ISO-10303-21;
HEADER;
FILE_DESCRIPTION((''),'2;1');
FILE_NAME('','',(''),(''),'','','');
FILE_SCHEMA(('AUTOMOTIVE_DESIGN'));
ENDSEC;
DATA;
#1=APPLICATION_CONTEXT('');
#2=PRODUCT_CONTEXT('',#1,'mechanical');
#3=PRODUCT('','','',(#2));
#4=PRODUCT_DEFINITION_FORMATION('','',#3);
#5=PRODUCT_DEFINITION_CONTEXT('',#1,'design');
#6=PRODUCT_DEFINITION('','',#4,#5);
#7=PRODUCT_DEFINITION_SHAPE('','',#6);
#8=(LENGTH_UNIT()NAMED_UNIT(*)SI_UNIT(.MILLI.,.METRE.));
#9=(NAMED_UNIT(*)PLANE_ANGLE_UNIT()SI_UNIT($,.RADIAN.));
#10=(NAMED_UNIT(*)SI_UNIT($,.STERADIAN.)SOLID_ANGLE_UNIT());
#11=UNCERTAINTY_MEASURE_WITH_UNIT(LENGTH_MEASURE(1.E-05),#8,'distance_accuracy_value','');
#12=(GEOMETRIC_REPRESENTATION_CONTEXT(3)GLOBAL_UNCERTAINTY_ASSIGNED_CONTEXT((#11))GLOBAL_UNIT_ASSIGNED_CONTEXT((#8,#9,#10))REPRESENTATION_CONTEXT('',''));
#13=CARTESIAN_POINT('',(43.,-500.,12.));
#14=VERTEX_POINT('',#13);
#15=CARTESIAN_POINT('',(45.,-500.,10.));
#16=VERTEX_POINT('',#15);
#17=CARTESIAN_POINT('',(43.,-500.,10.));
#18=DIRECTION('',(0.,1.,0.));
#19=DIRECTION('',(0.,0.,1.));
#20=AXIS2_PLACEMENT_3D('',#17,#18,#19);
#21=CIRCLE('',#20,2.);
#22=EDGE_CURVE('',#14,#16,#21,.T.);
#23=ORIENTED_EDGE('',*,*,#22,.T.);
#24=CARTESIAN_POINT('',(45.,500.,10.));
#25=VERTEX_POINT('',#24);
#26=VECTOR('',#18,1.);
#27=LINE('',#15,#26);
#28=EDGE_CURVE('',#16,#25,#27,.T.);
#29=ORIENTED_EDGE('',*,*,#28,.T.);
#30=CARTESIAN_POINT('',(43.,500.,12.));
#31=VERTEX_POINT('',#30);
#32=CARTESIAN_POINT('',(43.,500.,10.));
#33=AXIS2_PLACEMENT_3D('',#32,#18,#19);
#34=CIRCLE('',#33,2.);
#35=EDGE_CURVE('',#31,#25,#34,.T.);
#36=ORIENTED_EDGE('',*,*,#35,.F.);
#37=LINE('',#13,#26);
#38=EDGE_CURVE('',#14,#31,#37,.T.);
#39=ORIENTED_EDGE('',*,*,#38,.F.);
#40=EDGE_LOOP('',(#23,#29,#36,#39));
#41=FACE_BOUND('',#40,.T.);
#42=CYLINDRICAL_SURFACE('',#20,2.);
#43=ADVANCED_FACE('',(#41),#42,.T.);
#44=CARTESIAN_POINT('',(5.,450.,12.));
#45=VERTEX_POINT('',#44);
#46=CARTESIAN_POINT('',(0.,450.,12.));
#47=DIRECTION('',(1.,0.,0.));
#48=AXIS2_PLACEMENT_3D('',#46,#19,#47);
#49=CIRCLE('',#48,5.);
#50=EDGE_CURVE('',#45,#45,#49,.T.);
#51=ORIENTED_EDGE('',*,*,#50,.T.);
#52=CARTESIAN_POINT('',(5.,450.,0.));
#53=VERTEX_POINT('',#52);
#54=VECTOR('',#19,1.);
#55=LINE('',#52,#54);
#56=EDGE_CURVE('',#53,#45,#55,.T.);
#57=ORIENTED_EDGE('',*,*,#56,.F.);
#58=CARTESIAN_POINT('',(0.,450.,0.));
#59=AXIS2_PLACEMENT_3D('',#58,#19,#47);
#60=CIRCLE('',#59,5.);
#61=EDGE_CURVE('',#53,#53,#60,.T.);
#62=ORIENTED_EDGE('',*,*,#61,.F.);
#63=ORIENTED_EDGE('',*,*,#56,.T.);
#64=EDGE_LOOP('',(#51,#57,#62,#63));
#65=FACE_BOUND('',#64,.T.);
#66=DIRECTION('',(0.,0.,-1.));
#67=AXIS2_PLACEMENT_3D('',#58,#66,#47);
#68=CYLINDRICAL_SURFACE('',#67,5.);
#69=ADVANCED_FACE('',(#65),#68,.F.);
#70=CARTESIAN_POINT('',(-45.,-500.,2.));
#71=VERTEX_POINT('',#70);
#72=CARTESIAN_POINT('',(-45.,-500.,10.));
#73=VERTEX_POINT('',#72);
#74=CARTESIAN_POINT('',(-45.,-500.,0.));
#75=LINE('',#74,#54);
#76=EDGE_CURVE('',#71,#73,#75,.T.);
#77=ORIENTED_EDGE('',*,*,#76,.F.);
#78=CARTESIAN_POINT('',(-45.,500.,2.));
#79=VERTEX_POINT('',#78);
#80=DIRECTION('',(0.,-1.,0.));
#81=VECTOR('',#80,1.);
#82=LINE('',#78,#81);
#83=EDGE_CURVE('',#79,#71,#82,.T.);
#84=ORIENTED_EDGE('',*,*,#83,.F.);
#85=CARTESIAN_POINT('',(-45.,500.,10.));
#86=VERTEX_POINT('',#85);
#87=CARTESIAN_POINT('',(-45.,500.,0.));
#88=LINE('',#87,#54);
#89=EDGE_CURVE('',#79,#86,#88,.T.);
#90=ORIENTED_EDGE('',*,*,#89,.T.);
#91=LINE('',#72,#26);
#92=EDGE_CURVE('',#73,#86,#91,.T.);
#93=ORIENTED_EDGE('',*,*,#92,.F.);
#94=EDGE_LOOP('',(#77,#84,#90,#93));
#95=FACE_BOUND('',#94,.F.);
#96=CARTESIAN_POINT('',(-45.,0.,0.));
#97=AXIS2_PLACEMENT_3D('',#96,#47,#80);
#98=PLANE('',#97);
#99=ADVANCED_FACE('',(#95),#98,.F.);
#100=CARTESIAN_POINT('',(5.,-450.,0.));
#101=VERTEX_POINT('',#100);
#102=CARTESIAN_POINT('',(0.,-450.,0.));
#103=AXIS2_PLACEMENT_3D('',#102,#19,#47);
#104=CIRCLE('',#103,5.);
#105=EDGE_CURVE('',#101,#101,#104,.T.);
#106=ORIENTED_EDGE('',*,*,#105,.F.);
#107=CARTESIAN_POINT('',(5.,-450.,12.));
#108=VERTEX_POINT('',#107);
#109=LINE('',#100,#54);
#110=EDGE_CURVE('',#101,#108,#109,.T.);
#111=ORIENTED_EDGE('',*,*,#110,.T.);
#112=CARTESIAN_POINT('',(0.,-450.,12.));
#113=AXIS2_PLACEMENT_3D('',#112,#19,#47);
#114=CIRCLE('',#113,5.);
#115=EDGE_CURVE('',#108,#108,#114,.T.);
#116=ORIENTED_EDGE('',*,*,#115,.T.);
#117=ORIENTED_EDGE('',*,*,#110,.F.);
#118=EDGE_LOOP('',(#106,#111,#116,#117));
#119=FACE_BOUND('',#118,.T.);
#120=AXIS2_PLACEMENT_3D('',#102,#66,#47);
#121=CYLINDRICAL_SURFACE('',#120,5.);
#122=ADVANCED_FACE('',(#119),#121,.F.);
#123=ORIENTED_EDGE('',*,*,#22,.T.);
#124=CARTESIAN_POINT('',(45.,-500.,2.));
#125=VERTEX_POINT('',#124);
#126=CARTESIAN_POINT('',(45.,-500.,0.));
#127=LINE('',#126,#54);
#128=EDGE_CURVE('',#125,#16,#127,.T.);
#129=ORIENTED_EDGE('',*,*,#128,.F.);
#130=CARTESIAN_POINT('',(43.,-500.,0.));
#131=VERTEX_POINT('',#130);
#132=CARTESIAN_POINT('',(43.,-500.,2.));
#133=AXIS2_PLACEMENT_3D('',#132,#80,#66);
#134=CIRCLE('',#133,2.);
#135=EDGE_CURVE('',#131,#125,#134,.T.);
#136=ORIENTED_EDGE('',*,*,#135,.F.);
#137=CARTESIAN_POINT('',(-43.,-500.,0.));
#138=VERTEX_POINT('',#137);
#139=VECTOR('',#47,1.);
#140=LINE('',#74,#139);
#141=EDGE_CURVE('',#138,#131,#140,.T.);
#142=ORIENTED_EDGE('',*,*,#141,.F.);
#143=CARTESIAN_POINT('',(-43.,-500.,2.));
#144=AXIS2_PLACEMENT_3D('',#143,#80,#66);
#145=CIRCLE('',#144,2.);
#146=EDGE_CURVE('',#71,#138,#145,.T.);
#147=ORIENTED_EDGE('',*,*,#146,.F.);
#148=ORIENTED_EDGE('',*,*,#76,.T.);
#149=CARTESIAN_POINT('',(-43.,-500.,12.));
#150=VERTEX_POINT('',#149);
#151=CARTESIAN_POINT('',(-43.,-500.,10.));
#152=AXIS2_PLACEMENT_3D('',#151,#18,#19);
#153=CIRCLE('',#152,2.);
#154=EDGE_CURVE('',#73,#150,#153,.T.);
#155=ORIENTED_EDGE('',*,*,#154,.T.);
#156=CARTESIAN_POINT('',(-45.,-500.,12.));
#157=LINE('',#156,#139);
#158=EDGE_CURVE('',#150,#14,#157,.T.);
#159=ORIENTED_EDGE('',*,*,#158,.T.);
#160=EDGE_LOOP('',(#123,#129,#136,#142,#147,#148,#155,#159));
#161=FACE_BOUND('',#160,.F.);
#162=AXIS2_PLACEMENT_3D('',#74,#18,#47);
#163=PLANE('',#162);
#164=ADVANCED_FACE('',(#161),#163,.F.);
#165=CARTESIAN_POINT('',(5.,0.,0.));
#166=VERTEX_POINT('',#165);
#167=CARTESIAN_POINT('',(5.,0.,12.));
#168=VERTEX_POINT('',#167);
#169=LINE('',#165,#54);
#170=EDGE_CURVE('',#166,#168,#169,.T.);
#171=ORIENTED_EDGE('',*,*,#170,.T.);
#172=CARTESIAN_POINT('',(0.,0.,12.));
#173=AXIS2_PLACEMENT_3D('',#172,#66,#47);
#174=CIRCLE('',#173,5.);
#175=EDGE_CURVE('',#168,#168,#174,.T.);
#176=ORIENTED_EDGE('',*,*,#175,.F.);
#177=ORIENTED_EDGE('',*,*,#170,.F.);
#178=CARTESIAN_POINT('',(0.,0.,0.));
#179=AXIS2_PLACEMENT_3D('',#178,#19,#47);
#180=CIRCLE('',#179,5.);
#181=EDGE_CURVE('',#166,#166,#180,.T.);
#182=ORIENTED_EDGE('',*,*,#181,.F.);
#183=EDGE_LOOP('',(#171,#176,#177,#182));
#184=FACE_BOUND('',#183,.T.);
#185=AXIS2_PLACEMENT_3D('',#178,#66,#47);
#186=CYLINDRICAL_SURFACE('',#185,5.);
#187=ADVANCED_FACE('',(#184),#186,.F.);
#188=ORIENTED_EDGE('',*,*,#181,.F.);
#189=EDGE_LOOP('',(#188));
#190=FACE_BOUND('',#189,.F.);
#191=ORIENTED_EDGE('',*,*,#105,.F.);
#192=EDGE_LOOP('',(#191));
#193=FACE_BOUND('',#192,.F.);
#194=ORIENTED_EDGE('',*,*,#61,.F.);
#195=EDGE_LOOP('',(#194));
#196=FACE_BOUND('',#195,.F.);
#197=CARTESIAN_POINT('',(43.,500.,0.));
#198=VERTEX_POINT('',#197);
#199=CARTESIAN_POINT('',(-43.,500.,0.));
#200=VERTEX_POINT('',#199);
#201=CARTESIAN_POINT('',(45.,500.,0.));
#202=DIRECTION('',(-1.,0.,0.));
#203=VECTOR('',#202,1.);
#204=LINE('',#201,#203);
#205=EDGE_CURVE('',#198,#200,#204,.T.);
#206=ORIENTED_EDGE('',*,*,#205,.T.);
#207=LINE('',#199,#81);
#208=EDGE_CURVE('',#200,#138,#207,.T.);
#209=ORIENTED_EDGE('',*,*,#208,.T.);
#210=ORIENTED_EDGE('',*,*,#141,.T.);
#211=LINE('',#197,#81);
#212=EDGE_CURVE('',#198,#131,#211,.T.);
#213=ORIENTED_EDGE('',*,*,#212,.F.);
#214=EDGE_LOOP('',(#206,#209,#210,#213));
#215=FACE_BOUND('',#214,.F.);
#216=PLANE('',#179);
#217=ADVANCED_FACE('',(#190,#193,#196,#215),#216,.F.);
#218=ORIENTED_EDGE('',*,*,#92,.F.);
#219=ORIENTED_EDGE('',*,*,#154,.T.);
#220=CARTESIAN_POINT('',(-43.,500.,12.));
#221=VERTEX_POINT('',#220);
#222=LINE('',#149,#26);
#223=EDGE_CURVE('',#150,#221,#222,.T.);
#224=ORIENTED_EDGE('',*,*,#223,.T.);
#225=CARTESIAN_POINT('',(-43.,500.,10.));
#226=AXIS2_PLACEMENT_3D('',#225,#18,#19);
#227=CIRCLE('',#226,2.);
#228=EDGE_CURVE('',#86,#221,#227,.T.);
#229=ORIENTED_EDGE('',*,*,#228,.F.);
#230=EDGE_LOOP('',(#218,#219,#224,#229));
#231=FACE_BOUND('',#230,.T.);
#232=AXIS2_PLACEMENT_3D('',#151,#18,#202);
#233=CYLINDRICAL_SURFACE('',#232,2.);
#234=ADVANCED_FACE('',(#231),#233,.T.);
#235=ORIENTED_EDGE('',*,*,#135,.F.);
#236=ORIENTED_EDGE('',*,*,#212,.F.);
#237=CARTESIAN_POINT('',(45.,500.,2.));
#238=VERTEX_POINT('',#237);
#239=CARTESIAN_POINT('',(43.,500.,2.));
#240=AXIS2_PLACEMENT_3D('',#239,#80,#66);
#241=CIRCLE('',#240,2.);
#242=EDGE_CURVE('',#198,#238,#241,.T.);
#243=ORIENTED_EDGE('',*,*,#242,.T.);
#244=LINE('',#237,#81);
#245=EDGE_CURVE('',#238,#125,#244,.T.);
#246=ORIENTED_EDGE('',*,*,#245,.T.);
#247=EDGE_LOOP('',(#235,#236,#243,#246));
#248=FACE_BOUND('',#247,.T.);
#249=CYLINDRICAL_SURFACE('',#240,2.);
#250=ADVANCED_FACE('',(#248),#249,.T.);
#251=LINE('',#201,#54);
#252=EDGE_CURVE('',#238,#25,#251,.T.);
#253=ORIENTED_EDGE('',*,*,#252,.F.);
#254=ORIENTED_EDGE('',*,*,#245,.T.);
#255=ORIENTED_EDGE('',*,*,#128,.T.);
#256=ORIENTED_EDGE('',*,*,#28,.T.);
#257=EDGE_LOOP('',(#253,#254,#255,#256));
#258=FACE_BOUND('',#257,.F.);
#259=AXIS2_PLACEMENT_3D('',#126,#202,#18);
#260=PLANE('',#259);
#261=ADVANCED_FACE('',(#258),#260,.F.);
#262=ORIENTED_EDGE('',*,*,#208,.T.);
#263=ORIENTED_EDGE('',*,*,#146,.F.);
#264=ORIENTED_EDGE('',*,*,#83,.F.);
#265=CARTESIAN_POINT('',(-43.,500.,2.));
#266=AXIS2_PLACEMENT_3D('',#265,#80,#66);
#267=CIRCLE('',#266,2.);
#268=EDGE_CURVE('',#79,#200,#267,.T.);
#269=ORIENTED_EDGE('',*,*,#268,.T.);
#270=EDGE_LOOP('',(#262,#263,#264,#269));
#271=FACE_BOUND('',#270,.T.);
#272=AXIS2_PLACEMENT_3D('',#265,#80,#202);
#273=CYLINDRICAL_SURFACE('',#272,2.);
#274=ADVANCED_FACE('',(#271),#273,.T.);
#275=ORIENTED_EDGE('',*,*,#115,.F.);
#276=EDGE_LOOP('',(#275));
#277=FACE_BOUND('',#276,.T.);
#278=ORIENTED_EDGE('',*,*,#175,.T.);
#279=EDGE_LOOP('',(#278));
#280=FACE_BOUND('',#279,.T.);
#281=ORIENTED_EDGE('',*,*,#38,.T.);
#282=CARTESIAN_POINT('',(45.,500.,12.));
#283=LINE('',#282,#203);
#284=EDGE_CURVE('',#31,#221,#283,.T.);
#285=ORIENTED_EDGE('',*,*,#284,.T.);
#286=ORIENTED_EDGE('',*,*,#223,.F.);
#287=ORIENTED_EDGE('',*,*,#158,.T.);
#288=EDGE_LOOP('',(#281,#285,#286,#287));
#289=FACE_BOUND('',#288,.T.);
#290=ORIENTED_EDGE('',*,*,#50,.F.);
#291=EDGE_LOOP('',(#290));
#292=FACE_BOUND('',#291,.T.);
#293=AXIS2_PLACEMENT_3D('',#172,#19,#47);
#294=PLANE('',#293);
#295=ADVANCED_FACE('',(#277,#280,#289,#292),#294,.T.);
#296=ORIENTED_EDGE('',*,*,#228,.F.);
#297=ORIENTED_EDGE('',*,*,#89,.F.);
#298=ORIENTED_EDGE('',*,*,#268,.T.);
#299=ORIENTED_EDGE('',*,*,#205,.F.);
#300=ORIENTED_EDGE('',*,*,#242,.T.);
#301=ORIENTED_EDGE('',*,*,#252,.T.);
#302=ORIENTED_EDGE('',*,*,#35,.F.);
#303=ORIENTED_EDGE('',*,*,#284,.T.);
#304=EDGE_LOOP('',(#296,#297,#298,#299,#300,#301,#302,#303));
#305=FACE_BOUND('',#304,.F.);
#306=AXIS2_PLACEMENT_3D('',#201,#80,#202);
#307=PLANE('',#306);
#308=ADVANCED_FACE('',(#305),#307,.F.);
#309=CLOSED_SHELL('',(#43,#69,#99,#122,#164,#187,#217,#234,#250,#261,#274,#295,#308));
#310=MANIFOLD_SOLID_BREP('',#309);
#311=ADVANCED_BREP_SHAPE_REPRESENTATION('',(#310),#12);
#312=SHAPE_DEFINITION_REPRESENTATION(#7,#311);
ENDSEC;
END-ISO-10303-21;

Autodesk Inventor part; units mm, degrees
ref_plane "YZ Plane" through (0, 0, 0) normal (1, 0, 0) x (0, 1, 0)
ref_plane "XZ Plane" through (0, 0, 0) normal (0, 1, 0) x (-1, 0, 0)
ref_plane "Work Plane1" through (0, 0, 0) normal (0, 0, 1) x (1, 0, 0)
sketch "Sketch1" plane through (0, 0, 0) normal (0, 0, 1) x (1, 0, 0)
  line L0 (-45, -500) -> (45, -500)
  line L1 (45, -500) -> (45, 500)
  line L2 (45, 500) -> (-45, 500)
  line L3 (-45, 500) -> (-45, -500)
  line L4 (-385, 0) -> (385, 0) projected
  line L5 (0, -500) -> (0, 500) construction
  circle A0 centre (0, 0) radius 5
  circle A1 centre (0, -450) radius 5
  circle A2 centre (0, 450) radius 5
  circle A3 centre (240, -0.5) radius 5 construction
  circle A4 centre (120, -0.5) radius 5 construction
  circle A5 centre (-120, -0.5) radius 5 construction
  circle A6 centre (-240, -0.5) radius 5 construction
  circle A7 centre (0, -0.5) radius 5 construction
  line L6 (-275, -23) -> (275, -23) construction
  line L7 (275, 23) -> (275, -23) construction
  line L8 (275, 23) -> (-275, 23) construction
  line L9 (-275, -23) -> (-275, 23) construction
  point P0 (0, 0)
  point P1 (-45, 0)
  dimension "d0" = 90
  dimension "d1" = 1000
  dimension "d2" = 10
  dimension "d3" = 10
  dimension "d4" = 10
  dimension "d5" = 450
  dimension "d6" = 450
extrude "Extrusion1" add sketch "Sketch1" along normal blind 12 contours L3 L4 A0 L1 L0 | L3 L2 L1 L4 A0
fillet "Fillet1" radius 2 6 edges at (-45, -250, 12) (-45, 250, 12) (-45, -250, 0) (-45, 250, 0) (45, 0, 12) (45, 0, 0)
properties part number "doga_interm" material "Wood (Oak)"
